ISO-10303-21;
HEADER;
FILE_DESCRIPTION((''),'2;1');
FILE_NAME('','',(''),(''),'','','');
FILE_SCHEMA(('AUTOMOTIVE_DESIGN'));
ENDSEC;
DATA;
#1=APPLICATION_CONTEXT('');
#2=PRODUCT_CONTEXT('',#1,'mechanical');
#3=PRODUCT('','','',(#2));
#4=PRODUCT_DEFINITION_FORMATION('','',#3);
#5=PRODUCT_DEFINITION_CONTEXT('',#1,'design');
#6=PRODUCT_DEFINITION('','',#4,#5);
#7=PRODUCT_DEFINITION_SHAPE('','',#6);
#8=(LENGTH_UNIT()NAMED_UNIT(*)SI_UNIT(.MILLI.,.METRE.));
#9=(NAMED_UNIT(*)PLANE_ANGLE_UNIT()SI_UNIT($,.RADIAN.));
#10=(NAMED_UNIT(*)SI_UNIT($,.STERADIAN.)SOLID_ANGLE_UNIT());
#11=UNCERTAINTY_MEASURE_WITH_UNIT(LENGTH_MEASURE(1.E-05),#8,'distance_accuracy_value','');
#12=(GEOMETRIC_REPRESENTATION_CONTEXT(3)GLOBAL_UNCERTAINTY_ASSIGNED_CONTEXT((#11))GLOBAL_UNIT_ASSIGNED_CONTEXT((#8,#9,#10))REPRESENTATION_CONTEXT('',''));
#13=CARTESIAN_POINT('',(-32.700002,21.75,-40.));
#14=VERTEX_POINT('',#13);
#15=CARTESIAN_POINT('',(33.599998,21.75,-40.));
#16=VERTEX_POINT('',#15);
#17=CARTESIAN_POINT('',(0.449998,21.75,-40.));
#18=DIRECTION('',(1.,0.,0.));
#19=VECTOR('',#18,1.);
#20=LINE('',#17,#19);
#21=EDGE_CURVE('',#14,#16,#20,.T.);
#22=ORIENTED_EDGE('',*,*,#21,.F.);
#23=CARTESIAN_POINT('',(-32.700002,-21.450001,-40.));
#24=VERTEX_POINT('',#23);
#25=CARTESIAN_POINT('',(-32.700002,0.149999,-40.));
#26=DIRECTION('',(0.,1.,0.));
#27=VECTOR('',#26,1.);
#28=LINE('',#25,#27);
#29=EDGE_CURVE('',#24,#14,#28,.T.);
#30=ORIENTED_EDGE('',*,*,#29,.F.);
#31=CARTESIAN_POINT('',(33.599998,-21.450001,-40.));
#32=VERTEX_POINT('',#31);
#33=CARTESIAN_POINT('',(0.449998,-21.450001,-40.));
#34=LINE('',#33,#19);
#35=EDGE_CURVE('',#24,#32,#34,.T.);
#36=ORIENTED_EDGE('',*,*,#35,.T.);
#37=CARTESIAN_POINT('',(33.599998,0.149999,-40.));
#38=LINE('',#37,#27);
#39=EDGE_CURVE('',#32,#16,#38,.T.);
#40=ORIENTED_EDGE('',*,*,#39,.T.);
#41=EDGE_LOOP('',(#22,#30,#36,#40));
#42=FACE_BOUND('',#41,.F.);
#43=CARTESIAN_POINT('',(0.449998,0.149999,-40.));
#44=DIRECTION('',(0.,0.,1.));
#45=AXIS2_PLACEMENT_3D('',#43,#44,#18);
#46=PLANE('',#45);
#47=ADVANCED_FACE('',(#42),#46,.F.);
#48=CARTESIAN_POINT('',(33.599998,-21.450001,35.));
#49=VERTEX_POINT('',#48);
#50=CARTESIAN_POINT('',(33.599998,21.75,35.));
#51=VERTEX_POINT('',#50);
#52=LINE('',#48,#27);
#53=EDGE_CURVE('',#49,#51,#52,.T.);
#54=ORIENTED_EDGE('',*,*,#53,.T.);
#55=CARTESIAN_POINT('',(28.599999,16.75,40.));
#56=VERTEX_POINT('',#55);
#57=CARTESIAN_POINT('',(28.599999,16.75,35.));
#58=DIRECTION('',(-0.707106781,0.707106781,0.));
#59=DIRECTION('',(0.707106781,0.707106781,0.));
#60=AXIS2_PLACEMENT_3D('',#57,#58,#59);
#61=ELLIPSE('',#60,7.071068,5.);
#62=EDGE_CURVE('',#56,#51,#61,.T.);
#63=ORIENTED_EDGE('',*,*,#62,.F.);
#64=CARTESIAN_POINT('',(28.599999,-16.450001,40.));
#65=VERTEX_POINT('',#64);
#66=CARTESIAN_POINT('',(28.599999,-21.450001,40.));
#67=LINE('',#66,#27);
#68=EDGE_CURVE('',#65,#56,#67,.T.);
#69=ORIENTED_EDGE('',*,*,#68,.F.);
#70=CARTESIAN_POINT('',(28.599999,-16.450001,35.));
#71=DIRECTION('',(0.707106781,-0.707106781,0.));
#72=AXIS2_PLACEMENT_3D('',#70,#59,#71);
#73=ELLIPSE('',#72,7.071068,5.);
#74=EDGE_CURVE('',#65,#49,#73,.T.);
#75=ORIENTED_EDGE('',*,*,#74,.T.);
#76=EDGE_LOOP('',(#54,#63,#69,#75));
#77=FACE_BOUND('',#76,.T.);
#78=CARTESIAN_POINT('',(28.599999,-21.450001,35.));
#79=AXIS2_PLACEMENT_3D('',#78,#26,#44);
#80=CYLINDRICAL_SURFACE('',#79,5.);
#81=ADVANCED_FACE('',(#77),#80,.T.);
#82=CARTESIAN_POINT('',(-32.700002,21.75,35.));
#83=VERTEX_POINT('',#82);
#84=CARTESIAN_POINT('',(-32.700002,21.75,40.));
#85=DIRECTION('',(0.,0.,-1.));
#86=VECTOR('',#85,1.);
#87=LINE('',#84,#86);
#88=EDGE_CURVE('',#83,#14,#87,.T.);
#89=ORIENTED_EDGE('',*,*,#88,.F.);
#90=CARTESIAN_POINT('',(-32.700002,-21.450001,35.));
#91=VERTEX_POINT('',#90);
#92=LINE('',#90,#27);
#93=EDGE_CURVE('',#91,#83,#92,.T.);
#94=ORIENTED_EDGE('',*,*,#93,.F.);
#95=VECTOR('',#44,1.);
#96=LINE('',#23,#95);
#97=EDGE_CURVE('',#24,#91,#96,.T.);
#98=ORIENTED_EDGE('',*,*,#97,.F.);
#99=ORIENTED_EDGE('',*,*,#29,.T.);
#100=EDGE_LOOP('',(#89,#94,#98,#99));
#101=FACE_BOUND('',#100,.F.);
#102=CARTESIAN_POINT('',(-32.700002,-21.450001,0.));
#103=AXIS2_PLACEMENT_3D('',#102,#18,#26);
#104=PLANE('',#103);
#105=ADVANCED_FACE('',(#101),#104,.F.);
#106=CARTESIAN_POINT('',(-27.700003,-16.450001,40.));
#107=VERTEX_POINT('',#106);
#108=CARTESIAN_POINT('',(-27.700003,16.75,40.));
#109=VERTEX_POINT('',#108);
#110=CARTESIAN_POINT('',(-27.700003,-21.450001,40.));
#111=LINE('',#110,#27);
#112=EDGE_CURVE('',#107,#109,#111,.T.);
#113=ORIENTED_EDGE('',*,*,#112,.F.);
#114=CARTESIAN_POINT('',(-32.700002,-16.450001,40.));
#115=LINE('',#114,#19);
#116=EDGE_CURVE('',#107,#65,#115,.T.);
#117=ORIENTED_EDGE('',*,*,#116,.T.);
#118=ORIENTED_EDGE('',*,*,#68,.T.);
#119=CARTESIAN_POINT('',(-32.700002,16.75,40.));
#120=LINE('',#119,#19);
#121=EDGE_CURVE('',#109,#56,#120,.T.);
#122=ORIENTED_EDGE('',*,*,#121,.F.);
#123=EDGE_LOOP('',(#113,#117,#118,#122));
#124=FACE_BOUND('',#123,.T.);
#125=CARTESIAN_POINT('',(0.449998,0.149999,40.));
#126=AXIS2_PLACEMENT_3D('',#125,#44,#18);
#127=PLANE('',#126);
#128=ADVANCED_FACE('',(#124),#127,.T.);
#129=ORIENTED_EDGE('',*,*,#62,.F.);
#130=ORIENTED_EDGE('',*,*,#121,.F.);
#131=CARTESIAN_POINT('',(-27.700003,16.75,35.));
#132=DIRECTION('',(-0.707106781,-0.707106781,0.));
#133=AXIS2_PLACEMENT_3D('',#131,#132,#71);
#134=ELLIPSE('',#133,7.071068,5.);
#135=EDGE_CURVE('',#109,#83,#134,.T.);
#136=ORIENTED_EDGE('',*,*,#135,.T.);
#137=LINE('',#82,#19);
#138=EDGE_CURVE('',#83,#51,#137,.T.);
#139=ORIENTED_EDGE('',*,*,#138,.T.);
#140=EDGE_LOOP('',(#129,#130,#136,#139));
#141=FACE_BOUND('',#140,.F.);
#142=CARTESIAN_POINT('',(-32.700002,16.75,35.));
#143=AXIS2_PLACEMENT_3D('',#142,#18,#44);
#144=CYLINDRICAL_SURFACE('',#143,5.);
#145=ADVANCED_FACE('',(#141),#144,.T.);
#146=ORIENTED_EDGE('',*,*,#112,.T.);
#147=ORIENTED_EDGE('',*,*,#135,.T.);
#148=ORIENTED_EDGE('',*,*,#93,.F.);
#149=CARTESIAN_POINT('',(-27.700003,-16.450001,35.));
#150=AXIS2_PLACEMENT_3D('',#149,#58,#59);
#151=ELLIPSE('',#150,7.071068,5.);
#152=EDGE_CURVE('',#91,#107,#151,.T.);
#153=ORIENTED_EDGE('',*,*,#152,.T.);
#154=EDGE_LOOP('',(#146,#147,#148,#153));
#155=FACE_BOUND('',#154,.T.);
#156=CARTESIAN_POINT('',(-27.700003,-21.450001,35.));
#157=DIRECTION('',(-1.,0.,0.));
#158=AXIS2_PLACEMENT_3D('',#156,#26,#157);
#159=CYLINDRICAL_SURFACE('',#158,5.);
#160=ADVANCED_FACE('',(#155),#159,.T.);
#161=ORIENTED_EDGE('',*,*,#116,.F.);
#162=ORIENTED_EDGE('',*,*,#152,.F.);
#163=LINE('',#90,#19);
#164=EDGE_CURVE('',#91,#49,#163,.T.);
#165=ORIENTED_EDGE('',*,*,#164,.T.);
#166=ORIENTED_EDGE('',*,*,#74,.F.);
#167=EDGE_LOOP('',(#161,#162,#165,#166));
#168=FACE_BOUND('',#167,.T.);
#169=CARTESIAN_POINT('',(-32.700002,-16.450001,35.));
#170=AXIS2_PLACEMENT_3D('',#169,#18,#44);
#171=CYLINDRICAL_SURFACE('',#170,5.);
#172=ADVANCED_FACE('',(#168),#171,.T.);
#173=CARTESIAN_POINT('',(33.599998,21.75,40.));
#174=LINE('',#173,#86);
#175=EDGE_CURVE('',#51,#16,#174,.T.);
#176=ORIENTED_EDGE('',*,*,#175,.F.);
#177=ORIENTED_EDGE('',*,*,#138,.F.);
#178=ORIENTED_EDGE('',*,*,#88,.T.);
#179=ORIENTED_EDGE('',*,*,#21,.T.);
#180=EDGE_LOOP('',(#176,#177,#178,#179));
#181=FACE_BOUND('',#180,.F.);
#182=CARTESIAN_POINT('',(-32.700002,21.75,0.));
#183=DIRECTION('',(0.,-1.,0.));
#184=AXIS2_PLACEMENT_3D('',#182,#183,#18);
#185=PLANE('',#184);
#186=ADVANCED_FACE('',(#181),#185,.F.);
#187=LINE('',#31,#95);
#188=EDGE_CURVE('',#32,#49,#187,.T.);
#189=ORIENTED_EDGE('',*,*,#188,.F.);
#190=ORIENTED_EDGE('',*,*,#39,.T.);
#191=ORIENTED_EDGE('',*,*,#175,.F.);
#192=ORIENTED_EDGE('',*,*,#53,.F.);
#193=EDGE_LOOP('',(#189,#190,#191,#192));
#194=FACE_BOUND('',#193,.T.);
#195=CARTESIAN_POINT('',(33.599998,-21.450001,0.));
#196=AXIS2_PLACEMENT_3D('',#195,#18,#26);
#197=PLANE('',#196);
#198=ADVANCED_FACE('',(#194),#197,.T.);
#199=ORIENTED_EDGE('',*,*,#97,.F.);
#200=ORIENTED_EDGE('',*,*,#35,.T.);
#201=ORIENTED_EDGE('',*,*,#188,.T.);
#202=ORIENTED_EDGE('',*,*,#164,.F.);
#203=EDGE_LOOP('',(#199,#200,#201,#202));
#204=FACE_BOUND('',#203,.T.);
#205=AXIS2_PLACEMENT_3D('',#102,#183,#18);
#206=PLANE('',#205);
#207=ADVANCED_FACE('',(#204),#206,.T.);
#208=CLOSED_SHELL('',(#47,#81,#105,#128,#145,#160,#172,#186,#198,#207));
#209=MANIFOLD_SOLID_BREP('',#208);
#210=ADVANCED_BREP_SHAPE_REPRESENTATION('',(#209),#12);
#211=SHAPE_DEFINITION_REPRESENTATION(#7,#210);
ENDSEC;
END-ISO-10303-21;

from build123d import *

# Parameters (mm, degrees)
F0_W     = 66.300001
F0_H     = 43.200001
F1_DEPTH = 40
F2_R     = 5


with BuildPart() as f1:
    # F0 (on Top) → F1 (new body, symmetric)
    with BuildSketch(Plane.XY):
        with Locations((0.449998, 0.149999)):
            Rectangle(F0_W, F0_H)
    extrude(amount=F1_DEPTH, both=True)

    # F2
    f2_edges = [f1.edges().sort_by_distance(p)[0] for p in [
        (0.449998, 21.749999, 40),
        (-32.700002, 0.149999, 40),
        (0.449998, -21.450002, 40),
        (33.599999, 0.149999, 40),
    ]]
    fillet(f2_edges, radius=F2_R)


solid = f1.part
